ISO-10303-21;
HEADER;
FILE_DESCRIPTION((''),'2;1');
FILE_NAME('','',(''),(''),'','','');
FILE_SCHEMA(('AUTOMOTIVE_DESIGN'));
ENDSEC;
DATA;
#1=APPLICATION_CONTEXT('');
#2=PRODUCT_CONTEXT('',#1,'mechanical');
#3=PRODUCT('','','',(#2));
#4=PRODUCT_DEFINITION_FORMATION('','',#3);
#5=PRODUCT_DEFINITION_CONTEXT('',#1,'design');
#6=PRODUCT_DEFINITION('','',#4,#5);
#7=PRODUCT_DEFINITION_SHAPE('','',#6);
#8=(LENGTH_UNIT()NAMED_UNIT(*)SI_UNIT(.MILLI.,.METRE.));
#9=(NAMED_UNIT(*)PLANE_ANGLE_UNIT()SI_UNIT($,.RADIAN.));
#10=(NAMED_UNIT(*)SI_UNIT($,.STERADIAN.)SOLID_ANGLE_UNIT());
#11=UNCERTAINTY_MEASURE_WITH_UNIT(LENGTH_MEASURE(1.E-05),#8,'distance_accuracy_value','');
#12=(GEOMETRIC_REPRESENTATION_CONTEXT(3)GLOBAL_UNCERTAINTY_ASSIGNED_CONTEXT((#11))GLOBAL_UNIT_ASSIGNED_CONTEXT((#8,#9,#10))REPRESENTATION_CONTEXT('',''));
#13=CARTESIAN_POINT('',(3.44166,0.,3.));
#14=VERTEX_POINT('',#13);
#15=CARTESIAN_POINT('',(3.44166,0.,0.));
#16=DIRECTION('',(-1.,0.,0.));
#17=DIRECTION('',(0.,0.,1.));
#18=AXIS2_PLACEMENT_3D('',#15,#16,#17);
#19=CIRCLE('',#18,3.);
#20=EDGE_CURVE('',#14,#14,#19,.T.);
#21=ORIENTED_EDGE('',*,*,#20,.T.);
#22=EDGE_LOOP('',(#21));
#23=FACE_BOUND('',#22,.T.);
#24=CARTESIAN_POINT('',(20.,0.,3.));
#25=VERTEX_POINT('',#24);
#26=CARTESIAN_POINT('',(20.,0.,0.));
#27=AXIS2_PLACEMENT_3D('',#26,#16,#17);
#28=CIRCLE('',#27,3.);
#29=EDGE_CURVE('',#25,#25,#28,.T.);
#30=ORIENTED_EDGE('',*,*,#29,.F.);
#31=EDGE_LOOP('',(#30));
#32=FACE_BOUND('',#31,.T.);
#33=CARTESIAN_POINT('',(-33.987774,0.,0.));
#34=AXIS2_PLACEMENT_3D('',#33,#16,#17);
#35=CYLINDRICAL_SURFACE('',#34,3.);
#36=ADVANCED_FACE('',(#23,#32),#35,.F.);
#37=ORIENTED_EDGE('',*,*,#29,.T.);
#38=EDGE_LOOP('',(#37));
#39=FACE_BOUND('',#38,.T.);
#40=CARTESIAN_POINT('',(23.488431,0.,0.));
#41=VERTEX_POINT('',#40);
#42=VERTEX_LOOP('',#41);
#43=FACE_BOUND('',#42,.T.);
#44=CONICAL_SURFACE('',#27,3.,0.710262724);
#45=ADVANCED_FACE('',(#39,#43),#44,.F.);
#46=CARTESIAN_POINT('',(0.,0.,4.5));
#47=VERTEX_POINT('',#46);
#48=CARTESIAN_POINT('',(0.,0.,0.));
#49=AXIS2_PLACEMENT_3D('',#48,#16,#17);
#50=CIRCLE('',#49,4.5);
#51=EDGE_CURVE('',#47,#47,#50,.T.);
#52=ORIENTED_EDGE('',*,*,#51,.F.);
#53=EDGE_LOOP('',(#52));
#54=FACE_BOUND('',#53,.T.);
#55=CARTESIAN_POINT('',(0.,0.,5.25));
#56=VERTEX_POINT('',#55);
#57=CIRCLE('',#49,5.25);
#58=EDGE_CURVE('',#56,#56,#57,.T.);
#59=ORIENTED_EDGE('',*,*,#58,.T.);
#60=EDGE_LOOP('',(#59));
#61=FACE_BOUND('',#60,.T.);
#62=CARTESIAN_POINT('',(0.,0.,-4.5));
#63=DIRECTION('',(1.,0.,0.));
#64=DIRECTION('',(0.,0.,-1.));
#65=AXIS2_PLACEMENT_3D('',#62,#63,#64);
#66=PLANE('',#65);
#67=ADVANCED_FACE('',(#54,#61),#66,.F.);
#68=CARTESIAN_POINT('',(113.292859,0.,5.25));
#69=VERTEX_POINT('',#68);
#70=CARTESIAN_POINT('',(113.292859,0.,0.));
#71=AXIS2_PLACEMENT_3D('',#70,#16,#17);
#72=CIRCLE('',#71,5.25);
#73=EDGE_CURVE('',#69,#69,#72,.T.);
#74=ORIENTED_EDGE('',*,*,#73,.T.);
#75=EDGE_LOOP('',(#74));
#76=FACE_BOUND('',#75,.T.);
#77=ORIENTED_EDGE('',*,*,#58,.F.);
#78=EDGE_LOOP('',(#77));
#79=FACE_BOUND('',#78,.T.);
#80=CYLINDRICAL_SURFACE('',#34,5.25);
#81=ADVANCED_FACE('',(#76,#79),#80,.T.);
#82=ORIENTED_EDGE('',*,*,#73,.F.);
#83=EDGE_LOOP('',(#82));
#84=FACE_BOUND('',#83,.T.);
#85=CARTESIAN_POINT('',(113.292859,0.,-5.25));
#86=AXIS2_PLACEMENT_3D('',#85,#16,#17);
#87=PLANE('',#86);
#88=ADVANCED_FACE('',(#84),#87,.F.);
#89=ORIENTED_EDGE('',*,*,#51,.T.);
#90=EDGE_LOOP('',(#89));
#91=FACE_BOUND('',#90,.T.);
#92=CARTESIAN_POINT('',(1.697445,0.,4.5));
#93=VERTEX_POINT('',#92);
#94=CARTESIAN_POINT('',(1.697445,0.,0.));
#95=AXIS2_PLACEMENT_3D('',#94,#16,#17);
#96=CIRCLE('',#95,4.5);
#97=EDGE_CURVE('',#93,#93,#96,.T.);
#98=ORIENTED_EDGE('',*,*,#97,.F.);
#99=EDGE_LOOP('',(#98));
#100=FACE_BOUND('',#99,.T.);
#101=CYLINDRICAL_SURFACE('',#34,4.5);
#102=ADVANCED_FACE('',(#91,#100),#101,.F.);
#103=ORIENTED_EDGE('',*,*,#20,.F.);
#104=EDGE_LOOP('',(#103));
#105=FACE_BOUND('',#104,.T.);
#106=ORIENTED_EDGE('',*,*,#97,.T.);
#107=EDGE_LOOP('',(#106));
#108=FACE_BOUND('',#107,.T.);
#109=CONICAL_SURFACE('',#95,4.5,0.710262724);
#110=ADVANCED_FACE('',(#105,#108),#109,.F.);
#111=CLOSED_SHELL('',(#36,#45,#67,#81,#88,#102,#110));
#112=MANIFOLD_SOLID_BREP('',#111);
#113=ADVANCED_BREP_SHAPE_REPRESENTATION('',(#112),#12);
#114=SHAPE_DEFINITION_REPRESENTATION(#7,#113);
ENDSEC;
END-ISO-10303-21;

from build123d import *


with BuildPart() as part:
    # Sketch2 → Revolve1 (revolve)
    with BuildSketch(Plane(origin=(0, 0, 0), x_dir=(1, 0, 0), z_dir=(0, 1, 0)), mode=Mode.PRIVATE) as revolve1_sk:
        Polygon((23.488430543, 0), (20, 3), (3.441659847, 3), (1.697444576, 4.5), (0, 4.5), (0, 5.25), (113.292859099, 5.25), (113.292859099, 0), align=None)
    revolve(revolve1_sk.sketch.rotate(Axis((-33.987774488, 0, 0), (1, 0, 0)), 180), axis=Axis((-33.987774488, 0, 0), (1, 0, 0)))


solid = part.part
